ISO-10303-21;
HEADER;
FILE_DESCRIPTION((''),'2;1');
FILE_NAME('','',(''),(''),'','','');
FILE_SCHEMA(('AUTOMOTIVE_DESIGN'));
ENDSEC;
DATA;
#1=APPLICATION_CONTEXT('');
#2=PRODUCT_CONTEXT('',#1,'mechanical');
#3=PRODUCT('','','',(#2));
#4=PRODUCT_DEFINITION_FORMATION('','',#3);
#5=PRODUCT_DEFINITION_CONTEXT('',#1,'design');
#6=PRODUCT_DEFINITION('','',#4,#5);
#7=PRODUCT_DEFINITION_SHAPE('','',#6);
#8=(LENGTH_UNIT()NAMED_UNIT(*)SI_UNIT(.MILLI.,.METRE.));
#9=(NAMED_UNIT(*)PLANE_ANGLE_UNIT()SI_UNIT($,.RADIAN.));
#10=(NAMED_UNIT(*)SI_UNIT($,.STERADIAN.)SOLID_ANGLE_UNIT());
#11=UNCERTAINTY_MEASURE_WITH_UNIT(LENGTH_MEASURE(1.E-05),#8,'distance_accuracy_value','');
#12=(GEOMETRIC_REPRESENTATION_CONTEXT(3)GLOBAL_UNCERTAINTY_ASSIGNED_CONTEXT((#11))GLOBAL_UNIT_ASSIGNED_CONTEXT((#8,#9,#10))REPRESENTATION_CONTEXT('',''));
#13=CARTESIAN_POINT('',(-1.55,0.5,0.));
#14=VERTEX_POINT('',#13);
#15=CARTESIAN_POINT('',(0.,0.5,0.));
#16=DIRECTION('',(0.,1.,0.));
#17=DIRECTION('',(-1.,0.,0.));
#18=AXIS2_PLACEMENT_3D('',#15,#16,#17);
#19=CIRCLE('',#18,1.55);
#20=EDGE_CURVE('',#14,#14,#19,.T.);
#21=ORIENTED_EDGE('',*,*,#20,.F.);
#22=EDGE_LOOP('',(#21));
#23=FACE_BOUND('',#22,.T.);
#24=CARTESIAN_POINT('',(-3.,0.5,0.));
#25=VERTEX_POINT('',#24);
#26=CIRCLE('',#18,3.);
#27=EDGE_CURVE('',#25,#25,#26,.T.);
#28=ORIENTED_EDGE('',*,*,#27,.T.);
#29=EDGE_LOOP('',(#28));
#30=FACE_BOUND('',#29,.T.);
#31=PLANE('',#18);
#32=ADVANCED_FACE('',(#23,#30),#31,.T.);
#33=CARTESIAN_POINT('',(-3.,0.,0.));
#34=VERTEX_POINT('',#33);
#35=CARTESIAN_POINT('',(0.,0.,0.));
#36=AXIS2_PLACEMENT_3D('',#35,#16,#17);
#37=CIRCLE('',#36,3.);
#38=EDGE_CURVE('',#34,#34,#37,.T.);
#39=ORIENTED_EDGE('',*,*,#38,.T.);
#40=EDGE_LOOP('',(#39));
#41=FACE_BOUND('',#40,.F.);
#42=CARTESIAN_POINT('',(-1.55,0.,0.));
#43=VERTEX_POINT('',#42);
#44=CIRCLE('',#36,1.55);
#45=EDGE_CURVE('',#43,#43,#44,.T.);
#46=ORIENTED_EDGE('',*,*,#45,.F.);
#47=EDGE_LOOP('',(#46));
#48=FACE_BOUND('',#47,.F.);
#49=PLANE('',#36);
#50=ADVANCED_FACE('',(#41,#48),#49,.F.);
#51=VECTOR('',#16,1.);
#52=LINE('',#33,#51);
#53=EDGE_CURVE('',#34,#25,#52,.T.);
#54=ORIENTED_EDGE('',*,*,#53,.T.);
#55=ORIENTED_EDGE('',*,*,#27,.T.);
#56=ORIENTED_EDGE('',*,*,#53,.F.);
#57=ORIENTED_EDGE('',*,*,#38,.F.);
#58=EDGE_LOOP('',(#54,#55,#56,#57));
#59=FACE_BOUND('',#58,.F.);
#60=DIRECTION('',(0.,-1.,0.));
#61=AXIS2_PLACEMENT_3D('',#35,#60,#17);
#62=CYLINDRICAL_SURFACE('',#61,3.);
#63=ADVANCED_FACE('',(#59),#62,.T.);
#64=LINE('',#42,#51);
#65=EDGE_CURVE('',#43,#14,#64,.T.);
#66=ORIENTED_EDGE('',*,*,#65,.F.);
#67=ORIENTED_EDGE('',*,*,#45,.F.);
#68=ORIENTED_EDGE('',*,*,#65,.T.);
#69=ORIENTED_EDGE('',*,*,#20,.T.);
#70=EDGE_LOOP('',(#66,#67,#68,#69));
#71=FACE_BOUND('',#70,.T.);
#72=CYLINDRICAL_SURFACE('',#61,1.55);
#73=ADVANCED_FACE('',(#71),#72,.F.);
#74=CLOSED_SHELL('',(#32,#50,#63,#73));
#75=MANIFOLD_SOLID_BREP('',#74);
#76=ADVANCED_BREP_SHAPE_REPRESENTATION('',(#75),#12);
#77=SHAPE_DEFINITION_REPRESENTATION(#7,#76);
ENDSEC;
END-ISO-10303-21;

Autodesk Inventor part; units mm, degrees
ref_plane "YZ Plane" through (0, 0, 0) normal (1, 0, 0) x (0, 1, 0)
ref_plane "XZ Plane" through (0, 0, 0) normal (0, 1, 0) x (-1, 0, 0)
ref_plane "XY Plane" through (0, 0, 0) normal (0, 0, 1) x (1, 0, 0)
sketch "Sketch1" plane through (0, 0, 0) normal (0, 1, 0) x (-1, 0, 0)
  circle A0 centre (0, 0) radius 1.55
  circle A1 centre (0, 0) radius 3
  dimension "d0" = 3.1
  dimension "d1" = 6
extrude "Extrusion1" add sketch "Sketch1" along normal blind 0.5
properties part number "RCT-H022_washer_31_60_05"
